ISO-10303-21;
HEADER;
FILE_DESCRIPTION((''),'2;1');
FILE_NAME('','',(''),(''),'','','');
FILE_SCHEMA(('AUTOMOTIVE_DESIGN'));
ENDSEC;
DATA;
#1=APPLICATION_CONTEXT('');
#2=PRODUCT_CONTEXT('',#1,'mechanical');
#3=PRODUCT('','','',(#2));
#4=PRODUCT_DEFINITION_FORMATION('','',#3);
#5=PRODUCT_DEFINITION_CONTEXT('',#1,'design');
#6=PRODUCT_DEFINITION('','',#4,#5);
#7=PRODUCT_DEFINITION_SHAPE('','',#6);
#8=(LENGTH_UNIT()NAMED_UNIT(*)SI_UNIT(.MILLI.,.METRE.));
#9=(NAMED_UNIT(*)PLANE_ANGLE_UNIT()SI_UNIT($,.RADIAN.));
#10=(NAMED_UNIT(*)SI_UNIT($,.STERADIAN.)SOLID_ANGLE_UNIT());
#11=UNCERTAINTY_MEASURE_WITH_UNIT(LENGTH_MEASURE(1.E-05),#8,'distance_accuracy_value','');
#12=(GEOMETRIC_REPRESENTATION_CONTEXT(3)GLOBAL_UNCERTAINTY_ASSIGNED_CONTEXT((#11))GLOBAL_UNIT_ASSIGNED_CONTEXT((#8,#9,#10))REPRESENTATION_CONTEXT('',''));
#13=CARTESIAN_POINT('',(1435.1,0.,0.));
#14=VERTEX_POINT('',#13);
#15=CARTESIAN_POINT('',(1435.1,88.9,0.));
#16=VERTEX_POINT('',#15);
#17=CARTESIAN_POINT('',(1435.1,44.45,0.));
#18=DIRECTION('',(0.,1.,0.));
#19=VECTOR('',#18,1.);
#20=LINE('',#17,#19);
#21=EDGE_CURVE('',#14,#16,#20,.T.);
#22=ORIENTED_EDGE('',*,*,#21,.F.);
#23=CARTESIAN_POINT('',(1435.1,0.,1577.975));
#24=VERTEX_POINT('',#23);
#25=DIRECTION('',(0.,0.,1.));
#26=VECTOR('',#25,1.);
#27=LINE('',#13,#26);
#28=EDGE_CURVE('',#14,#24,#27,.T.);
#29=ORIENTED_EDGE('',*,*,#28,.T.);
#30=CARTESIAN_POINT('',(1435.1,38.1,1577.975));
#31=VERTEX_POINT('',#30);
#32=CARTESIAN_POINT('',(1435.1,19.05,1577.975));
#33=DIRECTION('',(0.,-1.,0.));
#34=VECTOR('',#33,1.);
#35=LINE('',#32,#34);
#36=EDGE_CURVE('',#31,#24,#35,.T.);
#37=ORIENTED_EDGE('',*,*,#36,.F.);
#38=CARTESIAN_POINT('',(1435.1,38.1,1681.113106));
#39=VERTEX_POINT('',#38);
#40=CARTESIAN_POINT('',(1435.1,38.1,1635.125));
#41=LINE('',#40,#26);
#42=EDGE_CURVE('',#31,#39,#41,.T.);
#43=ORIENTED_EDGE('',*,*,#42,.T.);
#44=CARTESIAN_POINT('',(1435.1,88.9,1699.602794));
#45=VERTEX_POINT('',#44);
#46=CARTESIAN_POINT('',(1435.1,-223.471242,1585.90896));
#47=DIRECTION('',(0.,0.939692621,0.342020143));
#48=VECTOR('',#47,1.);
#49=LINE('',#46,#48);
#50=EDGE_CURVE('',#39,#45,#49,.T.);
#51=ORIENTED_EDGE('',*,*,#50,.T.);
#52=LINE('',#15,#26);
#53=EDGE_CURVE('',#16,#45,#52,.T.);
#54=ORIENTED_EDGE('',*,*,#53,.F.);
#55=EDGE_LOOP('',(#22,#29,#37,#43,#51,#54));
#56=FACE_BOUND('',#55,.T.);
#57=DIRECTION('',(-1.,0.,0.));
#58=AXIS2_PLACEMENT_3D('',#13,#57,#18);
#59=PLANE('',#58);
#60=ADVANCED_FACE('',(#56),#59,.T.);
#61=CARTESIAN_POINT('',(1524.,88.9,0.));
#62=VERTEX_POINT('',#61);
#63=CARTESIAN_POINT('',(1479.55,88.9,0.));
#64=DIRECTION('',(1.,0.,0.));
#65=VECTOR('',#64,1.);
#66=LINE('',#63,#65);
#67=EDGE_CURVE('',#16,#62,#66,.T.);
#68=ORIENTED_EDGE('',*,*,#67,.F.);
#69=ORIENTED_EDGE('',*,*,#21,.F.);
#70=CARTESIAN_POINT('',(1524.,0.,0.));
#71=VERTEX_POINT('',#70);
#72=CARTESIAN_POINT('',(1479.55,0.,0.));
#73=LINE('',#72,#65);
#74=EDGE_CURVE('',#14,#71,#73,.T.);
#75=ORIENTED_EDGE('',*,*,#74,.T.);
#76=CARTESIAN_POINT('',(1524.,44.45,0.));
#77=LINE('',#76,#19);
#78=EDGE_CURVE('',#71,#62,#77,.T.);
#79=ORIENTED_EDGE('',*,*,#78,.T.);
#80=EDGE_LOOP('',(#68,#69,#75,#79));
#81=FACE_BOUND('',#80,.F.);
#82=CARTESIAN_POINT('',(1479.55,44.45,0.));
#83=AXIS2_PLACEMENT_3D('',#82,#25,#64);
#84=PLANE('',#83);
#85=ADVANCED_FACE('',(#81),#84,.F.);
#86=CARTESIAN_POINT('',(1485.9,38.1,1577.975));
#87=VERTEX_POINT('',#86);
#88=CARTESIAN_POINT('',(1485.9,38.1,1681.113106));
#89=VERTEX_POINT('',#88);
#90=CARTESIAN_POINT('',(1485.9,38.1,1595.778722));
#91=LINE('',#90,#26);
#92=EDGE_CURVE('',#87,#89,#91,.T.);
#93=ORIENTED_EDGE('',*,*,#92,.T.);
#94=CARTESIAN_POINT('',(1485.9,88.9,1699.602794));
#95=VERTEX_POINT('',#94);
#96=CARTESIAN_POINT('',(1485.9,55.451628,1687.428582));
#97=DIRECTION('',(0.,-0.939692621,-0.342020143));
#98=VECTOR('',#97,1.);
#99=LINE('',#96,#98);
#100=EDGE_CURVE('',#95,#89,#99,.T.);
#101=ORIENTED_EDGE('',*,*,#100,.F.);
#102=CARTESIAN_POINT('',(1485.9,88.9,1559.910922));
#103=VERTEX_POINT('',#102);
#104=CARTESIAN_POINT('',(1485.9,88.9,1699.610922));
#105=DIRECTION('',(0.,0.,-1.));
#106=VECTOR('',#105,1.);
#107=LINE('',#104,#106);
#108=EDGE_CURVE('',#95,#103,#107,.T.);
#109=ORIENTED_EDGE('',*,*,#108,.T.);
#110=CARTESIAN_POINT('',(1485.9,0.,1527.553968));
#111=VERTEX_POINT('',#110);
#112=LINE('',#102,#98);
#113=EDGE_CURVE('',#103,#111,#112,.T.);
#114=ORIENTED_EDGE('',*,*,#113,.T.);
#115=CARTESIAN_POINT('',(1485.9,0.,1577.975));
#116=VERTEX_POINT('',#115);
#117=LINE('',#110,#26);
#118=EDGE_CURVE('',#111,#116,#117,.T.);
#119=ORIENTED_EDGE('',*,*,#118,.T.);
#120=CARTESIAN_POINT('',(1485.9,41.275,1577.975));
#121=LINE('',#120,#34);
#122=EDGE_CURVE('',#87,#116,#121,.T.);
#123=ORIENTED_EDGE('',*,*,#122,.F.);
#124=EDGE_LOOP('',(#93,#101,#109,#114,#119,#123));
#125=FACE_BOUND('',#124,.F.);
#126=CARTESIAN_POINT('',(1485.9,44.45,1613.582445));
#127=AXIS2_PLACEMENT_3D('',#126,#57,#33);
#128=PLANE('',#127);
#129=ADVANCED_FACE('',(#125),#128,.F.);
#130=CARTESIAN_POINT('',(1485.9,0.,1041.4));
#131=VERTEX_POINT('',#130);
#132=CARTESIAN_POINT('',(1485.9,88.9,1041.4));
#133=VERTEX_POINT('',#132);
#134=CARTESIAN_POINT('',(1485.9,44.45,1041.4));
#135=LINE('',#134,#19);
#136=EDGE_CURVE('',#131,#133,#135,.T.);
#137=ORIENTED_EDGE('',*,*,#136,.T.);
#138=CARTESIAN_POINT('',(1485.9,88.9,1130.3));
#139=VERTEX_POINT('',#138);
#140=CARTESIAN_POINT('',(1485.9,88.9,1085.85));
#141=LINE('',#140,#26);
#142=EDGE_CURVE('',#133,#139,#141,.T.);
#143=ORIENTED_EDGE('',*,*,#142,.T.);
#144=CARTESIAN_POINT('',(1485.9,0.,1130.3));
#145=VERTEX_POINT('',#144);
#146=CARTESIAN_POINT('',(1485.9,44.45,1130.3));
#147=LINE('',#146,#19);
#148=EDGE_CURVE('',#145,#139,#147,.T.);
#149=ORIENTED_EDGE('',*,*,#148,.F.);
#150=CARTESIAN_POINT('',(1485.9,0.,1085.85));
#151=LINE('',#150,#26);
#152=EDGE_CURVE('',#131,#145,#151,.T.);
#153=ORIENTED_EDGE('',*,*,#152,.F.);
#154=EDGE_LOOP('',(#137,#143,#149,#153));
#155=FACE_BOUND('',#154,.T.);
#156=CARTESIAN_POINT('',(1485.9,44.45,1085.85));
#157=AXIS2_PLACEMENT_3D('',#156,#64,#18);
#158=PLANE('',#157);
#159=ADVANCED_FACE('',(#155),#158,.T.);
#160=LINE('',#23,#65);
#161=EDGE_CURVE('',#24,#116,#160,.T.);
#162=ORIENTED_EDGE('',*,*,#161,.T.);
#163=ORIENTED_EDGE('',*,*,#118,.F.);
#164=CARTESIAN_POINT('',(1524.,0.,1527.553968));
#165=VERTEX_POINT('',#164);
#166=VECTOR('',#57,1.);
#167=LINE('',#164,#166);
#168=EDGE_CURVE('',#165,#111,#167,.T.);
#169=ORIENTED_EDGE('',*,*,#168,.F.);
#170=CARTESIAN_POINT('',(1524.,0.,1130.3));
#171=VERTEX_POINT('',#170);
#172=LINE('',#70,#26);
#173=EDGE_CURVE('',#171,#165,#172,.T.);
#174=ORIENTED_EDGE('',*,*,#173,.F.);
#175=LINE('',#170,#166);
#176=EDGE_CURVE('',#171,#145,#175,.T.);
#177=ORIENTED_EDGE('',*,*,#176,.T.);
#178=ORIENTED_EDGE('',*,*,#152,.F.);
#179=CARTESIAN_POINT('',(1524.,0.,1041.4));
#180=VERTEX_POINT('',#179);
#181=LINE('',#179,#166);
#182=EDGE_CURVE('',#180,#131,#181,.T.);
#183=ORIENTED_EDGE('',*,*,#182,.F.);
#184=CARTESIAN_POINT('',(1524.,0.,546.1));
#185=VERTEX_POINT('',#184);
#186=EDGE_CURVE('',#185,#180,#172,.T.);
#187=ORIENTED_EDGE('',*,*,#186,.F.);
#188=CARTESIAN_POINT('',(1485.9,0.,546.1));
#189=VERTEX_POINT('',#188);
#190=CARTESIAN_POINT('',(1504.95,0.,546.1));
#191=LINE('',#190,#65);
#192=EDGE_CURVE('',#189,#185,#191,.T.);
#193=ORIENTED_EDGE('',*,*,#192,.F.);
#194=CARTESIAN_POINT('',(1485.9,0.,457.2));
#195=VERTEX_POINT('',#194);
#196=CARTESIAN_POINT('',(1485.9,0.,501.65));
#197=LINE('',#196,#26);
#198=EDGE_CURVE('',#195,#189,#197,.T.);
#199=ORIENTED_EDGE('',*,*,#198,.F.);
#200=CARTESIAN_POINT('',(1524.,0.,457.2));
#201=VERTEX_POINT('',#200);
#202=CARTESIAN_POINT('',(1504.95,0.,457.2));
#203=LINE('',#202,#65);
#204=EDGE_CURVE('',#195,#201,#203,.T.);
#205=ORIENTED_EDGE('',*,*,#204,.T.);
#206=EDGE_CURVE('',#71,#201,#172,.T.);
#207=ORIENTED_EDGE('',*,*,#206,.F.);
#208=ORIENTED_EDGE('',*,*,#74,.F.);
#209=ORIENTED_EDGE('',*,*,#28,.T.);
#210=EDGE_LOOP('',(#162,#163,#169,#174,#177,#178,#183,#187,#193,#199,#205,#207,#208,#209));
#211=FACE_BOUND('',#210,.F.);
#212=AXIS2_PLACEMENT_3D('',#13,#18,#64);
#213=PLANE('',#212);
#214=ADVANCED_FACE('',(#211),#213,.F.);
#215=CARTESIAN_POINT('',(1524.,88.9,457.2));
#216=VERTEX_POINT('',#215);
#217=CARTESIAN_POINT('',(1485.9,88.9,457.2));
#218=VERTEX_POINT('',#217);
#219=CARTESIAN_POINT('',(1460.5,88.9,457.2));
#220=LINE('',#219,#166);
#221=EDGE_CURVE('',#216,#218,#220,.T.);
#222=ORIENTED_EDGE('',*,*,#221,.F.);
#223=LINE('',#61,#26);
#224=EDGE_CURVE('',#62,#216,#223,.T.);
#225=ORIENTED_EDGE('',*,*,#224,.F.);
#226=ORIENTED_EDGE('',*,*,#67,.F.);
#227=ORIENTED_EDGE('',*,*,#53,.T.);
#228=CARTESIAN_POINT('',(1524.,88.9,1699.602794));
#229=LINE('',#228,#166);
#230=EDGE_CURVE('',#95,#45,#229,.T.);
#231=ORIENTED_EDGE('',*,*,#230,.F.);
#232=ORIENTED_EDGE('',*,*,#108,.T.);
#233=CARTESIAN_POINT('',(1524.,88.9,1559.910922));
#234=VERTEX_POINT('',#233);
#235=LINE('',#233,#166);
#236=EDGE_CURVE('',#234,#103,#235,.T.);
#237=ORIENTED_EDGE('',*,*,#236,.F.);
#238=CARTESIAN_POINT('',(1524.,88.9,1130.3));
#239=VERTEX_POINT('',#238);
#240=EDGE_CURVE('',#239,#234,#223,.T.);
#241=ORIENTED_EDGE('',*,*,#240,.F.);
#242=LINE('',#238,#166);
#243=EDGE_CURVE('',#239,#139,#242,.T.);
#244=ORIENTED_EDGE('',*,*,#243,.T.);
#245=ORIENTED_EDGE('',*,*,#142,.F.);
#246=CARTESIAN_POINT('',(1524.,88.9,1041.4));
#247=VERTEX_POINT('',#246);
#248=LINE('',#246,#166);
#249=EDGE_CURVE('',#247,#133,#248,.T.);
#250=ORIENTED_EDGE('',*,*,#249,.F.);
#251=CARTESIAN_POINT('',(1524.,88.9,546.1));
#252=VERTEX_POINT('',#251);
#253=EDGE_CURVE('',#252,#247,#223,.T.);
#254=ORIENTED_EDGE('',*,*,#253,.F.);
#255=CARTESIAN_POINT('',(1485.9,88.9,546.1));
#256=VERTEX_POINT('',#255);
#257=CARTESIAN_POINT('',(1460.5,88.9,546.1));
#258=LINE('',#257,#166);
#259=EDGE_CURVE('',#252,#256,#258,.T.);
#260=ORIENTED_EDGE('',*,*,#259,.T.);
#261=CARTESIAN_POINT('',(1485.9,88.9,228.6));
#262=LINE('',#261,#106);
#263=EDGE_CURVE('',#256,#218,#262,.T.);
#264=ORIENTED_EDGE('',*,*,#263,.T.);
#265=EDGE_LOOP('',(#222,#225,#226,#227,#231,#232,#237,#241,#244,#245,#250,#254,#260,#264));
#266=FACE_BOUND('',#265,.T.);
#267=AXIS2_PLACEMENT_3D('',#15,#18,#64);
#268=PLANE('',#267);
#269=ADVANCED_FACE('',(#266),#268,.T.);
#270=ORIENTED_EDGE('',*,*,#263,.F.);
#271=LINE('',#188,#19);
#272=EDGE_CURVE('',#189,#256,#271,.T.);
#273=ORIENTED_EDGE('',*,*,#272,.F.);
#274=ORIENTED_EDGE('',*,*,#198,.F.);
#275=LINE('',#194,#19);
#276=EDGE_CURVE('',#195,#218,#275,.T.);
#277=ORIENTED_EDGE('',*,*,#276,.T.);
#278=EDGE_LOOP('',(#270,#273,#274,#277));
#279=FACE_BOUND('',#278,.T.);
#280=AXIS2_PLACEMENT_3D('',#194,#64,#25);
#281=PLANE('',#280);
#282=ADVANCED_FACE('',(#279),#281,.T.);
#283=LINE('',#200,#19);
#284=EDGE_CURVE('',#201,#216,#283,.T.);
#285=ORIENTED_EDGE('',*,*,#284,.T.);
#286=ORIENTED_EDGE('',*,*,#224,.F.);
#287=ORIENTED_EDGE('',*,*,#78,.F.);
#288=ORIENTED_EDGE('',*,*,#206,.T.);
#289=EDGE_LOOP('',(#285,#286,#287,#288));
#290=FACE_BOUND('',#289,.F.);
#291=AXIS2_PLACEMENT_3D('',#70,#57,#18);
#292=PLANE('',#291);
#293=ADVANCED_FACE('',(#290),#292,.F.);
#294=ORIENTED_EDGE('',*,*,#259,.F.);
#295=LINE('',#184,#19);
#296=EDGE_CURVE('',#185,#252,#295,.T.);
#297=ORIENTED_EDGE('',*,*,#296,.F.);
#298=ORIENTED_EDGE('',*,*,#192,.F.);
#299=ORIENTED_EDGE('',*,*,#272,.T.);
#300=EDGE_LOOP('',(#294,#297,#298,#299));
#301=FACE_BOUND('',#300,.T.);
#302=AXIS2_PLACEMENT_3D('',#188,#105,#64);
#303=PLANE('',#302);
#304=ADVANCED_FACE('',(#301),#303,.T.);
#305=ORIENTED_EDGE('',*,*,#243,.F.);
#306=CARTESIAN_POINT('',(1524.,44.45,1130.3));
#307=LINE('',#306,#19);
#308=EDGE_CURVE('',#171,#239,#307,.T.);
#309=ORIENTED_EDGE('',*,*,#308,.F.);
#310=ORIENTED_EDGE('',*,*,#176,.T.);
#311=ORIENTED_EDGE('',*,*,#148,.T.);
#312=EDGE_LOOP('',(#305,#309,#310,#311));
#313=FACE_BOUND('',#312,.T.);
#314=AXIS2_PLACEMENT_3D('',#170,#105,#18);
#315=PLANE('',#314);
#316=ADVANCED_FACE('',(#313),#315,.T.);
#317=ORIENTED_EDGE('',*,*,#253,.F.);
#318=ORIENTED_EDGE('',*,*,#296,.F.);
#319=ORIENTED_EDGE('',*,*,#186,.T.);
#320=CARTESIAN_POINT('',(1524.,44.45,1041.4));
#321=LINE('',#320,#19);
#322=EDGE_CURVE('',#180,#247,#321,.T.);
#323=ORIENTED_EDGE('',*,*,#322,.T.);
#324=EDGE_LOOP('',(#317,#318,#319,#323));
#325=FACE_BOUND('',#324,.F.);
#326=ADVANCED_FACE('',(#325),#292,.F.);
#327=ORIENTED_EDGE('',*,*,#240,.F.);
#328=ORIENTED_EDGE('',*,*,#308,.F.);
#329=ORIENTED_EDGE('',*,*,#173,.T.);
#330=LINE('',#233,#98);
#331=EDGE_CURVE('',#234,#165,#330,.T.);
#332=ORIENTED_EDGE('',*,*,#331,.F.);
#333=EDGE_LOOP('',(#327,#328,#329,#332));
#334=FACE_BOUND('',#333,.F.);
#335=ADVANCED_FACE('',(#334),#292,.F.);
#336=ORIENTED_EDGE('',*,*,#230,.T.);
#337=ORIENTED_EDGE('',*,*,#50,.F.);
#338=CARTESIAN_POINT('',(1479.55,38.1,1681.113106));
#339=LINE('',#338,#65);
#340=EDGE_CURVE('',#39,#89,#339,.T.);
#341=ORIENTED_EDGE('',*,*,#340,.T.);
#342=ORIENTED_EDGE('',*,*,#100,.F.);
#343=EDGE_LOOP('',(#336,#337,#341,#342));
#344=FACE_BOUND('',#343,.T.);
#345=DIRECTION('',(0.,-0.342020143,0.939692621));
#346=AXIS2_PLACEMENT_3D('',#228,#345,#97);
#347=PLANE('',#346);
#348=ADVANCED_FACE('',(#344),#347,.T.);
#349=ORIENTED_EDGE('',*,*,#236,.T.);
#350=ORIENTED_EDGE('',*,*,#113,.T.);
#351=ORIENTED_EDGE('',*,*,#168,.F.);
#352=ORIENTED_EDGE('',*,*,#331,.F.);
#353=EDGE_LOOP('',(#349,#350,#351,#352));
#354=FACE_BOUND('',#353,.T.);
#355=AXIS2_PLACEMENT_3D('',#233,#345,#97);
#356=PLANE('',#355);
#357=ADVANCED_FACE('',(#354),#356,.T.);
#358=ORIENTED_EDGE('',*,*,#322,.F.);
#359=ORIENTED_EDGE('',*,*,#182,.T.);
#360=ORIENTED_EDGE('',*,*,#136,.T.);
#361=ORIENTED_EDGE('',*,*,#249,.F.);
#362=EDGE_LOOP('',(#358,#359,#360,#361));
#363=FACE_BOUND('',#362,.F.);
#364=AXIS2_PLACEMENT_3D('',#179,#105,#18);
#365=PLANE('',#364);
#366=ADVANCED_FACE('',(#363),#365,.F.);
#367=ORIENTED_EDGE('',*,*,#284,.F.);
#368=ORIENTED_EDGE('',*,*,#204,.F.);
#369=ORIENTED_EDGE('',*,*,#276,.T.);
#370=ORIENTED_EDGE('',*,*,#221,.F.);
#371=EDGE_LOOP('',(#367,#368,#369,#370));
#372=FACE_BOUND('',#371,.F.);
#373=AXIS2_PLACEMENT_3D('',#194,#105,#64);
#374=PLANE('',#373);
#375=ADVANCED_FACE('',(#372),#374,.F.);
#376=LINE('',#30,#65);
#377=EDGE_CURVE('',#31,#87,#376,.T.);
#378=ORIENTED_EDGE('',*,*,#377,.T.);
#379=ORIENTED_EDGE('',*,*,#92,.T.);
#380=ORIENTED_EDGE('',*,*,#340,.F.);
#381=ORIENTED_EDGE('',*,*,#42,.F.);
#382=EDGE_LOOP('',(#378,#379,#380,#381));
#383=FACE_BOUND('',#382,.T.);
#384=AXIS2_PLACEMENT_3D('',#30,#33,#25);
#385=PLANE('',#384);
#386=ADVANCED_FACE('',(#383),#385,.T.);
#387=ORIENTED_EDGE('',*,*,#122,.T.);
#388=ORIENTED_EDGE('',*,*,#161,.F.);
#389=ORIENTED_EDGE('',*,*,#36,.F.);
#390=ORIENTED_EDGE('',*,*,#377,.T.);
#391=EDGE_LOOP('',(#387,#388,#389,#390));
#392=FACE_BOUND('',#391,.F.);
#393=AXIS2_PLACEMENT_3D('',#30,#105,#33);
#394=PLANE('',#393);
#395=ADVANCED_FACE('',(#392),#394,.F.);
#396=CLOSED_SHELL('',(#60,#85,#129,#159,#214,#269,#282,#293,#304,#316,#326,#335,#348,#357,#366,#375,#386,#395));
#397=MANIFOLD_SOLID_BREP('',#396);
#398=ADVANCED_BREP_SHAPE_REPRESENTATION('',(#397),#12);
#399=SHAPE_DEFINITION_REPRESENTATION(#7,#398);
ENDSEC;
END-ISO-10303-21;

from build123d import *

# Parameters (mm, degrees)
BOX002_W        = 88.9
BOX002_H        = 88.9
BOX002_DEPTH    = 2438.4
SKETCH_W        = 38.1
SKETCH_H        = 88.9
POCKET_DEPTH    = 88.9010000032
POCKET007_DEPTH = 88.901
POCKET010_DEPTH = 38.1
SKETCH020_W     = 38.1
SKETCH020_H     = 114.3
POCKET017_DEPTH = 88.901
SKETCH033_W     = 88.9
SKETCH033_H     = 88.9
POCKET023_DEPTH = 38.1


with BuildPart() as part:
    # Box002 → Box002 (new body)
    with BuildSketch(Plane(origin=(1435.1, 0, 0), x_dir=(1, 0, 0), z_dir=(0, 0, 1))):
        with Locations((44.45, 44.45)):
            Rectangle(BOX002_W, BOX002_H)
    extrude(amount=BOX002_DEPTH)

    # Sketch → Pocket (cut, through all)
    with BuildSketch(Plane(origin=(1435.1, 0, 0), x_dir=(1, 0, 0), z_dir=(0, -1, 0))):
        with Locations((69.85, 501.65)):
            Rectangle(SKETCH_W, SKETCH_H)
    extrude(amount=-POCKET_DEPTH, mode=Mode.SUBTRACT)

    # Sketch008 → Pocket007 (cut, through all)
    with BuildSketch(Plane.YZ.offset(1524)):
        Polygon((0, 1667.24584), (0, 2438.4), (88.9, 2438.4), (88.9, 1699.6027938263), align=None)
    extrude(amount=-POCKET007_DEPTH, mode=Mode.SUBTRACT)

    # Sketch011 → Pocket010 (cut)
    with BuildSketch(Plane.YZ.offset(1524)):
        Polygon((0, 1667.253968), (88.9, 1699.6109218263), (88.9, 1559.9109218263), (0, 1527.553968), align=None)
    extrude(amount=-POCKET010_DEPTH, mode=Mode.SUBTRACT)

    # Sketch020 → Pocket017 (cut, through all)
    with BuildSketch(Plane(origin=(1435.1, 0, 0), x_dir=(0, -1, 0), z_dir=(-1, 0, 0))):
        with Locations((-19.05, 1635.125)):
            Rectangle(SKETCH020_W, SKETCH020_H)
    extrude(amount=-POCKET017_DEPTH, mode=Mode.SUBTRACT)

    # Sketch033 → Pocket023 (cut)
    with BuildSketch(Plane.YZ.offset(1524)):
        with Locations((44.45, 1085.85)):
            Rectangle(SKETCH033_W, SKETCH033_H)
    extrude(amount=-POCKET023_DEPTH, mode=Mode.SUBTRACT)


solid = part.part
